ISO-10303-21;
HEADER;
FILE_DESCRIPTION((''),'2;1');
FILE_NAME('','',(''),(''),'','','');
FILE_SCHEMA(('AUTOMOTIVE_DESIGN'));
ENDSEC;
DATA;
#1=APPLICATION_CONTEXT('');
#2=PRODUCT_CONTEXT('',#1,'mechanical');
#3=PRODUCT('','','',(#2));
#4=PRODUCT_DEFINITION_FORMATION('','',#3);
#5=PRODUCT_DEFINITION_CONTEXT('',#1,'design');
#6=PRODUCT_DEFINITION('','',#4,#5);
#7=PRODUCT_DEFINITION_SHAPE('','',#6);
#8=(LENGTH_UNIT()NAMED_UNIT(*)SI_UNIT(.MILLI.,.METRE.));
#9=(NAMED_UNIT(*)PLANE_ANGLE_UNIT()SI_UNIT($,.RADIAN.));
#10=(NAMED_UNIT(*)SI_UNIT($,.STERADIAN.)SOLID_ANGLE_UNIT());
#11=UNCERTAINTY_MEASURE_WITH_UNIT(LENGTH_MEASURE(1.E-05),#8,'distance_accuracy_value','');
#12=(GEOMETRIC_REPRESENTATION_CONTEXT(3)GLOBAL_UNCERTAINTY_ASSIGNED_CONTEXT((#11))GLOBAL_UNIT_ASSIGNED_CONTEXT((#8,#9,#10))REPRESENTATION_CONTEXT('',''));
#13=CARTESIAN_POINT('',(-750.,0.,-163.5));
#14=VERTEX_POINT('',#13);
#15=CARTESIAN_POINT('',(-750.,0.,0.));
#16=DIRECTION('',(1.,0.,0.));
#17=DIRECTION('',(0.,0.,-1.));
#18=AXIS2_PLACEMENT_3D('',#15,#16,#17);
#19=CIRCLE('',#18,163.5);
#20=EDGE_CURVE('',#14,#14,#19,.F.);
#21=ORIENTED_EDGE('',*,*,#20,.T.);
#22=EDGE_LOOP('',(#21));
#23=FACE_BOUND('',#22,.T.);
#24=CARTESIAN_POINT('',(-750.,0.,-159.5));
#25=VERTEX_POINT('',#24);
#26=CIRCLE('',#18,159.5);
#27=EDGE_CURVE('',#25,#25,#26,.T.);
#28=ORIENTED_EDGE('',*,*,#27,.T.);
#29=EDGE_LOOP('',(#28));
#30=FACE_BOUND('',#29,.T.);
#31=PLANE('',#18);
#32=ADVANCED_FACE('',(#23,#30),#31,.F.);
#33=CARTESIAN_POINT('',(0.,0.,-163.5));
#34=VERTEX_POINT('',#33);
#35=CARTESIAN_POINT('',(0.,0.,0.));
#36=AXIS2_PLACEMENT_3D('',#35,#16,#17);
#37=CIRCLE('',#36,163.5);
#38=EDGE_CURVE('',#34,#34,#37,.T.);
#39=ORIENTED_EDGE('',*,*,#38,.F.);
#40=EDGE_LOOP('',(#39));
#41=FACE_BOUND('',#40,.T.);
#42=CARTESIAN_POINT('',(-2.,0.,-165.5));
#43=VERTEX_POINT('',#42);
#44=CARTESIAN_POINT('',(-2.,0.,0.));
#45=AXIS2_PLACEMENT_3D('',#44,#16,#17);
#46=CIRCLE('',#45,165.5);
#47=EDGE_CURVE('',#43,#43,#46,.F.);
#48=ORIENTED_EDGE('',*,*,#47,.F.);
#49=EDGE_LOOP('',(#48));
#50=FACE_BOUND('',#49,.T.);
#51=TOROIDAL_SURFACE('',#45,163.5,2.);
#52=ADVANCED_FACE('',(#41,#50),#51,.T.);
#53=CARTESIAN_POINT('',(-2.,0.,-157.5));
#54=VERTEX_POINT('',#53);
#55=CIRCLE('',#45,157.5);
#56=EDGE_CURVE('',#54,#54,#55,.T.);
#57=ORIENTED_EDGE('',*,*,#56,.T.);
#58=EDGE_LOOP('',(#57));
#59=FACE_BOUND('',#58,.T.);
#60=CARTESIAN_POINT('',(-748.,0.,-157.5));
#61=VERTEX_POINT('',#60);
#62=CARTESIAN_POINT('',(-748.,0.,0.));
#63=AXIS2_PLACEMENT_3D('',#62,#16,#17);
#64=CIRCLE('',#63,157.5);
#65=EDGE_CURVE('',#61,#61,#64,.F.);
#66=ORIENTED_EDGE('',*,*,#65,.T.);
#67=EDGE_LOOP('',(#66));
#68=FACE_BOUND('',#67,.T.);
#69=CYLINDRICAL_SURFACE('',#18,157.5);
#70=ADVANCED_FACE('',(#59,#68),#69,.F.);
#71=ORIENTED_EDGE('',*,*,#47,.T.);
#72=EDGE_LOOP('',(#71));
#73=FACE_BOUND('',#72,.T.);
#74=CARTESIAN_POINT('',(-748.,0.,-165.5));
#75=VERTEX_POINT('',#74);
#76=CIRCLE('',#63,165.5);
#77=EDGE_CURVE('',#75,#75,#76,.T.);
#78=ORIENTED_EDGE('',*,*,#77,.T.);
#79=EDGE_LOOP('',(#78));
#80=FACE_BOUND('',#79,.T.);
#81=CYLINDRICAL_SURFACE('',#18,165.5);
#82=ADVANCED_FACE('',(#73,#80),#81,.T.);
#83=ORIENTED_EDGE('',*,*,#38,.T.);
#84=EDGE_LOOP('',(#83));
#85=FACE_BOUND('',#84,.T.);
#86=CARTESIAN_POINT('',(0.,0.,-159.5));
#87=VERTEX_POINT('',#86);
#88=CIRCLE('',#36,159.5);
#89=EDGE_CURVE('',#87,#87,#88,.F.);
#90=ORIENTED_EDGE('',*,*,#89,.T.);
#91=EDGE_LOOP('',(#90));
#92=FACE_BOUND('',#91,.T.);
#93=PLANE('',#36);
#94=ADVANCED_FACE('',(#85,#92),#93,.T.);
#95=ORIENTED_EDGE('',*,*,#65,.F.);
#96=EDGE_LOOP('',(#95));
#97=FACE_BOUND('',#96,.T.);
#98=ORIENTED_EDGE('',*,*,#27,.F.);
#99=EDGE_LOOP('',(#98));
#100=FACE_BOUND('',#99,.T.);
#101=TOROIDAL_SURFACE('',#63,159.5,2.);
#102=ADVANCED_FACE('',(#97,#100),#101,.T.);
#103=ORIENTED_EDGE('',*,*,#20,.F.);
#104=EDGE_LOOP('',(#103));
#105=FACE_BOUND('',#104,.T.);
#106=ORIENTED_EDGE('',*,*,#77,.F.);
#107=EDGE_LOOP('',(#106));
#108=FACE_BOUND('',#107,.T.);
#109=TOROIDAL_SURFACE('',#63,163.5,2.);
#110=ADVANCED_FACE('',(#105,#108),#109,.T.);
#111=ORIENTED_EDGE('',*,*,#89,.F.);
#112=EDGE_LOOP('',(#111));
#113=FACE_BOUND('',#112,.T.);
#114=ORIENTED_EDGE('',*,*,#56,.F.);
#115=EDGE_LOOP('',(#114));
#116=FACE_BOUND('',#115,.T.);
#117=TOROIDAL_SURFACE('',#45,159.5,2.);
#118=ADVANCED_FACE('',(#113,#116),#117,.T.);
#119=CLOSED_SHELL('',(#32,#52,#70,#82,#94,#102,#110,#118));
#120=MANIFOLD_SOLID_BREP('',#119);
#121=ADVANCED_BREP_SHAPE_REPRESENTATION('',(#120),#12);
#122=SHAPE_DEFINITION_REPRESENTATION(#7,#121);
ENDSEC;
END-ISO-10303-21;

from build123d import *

# Parameters (mm, degrees)
SKETCH1_R           = 165.5
BOSS_EXTRUDE1_DEPTH = 750
SKETCH2_R           = 157.5
CUT_EXTRUDE1_DEPTH  = 750
FILLET1_R           = 2
FILLET2_R           = 2


with BuildPart() as part:
    # Sketch1 → Boss-Extrude1 (new body)
    with BuildSketch(Plane(origin=(0, 0, 0), x_dir=(0, 0, -1), z_dir=(1, 0, 0))):
        Circle(SKETCH1_R)
    extrude(amount=-BOSS_EXTRUDE1_DEPTH)

    # Sketch2 → Cut-Extrude1 (cut)
    with BuildSketch(Plane(origin=(0, 0, 0), x_dir=(0, 0, -1), z_dir=(1, 0, 0))):
        Circle(SKETCH2_R)
    extrude(amount=-CUT_EXTRUDE1_DEPTH, mode=Mode.SUBTRACT)

    # Fillet1
    fillet1_edges = [part.edges().sort_by_distance(p)[0] for p in [
        (0, 0, 165.5),
        (0, 0, 157.5),
    ]]
    fillet(fillet1_edges, radius=FILLET1_R)

    # Fillet2
    fillet2_edges = [part.edges().sort_by_distance(p)[0] for p in [
        (-750, 0, 165.5),
        (-750, 0, 157.5),
    ]]
    fillet(fillet2_edges, radius=FILLET2_R)


solid = part.part
